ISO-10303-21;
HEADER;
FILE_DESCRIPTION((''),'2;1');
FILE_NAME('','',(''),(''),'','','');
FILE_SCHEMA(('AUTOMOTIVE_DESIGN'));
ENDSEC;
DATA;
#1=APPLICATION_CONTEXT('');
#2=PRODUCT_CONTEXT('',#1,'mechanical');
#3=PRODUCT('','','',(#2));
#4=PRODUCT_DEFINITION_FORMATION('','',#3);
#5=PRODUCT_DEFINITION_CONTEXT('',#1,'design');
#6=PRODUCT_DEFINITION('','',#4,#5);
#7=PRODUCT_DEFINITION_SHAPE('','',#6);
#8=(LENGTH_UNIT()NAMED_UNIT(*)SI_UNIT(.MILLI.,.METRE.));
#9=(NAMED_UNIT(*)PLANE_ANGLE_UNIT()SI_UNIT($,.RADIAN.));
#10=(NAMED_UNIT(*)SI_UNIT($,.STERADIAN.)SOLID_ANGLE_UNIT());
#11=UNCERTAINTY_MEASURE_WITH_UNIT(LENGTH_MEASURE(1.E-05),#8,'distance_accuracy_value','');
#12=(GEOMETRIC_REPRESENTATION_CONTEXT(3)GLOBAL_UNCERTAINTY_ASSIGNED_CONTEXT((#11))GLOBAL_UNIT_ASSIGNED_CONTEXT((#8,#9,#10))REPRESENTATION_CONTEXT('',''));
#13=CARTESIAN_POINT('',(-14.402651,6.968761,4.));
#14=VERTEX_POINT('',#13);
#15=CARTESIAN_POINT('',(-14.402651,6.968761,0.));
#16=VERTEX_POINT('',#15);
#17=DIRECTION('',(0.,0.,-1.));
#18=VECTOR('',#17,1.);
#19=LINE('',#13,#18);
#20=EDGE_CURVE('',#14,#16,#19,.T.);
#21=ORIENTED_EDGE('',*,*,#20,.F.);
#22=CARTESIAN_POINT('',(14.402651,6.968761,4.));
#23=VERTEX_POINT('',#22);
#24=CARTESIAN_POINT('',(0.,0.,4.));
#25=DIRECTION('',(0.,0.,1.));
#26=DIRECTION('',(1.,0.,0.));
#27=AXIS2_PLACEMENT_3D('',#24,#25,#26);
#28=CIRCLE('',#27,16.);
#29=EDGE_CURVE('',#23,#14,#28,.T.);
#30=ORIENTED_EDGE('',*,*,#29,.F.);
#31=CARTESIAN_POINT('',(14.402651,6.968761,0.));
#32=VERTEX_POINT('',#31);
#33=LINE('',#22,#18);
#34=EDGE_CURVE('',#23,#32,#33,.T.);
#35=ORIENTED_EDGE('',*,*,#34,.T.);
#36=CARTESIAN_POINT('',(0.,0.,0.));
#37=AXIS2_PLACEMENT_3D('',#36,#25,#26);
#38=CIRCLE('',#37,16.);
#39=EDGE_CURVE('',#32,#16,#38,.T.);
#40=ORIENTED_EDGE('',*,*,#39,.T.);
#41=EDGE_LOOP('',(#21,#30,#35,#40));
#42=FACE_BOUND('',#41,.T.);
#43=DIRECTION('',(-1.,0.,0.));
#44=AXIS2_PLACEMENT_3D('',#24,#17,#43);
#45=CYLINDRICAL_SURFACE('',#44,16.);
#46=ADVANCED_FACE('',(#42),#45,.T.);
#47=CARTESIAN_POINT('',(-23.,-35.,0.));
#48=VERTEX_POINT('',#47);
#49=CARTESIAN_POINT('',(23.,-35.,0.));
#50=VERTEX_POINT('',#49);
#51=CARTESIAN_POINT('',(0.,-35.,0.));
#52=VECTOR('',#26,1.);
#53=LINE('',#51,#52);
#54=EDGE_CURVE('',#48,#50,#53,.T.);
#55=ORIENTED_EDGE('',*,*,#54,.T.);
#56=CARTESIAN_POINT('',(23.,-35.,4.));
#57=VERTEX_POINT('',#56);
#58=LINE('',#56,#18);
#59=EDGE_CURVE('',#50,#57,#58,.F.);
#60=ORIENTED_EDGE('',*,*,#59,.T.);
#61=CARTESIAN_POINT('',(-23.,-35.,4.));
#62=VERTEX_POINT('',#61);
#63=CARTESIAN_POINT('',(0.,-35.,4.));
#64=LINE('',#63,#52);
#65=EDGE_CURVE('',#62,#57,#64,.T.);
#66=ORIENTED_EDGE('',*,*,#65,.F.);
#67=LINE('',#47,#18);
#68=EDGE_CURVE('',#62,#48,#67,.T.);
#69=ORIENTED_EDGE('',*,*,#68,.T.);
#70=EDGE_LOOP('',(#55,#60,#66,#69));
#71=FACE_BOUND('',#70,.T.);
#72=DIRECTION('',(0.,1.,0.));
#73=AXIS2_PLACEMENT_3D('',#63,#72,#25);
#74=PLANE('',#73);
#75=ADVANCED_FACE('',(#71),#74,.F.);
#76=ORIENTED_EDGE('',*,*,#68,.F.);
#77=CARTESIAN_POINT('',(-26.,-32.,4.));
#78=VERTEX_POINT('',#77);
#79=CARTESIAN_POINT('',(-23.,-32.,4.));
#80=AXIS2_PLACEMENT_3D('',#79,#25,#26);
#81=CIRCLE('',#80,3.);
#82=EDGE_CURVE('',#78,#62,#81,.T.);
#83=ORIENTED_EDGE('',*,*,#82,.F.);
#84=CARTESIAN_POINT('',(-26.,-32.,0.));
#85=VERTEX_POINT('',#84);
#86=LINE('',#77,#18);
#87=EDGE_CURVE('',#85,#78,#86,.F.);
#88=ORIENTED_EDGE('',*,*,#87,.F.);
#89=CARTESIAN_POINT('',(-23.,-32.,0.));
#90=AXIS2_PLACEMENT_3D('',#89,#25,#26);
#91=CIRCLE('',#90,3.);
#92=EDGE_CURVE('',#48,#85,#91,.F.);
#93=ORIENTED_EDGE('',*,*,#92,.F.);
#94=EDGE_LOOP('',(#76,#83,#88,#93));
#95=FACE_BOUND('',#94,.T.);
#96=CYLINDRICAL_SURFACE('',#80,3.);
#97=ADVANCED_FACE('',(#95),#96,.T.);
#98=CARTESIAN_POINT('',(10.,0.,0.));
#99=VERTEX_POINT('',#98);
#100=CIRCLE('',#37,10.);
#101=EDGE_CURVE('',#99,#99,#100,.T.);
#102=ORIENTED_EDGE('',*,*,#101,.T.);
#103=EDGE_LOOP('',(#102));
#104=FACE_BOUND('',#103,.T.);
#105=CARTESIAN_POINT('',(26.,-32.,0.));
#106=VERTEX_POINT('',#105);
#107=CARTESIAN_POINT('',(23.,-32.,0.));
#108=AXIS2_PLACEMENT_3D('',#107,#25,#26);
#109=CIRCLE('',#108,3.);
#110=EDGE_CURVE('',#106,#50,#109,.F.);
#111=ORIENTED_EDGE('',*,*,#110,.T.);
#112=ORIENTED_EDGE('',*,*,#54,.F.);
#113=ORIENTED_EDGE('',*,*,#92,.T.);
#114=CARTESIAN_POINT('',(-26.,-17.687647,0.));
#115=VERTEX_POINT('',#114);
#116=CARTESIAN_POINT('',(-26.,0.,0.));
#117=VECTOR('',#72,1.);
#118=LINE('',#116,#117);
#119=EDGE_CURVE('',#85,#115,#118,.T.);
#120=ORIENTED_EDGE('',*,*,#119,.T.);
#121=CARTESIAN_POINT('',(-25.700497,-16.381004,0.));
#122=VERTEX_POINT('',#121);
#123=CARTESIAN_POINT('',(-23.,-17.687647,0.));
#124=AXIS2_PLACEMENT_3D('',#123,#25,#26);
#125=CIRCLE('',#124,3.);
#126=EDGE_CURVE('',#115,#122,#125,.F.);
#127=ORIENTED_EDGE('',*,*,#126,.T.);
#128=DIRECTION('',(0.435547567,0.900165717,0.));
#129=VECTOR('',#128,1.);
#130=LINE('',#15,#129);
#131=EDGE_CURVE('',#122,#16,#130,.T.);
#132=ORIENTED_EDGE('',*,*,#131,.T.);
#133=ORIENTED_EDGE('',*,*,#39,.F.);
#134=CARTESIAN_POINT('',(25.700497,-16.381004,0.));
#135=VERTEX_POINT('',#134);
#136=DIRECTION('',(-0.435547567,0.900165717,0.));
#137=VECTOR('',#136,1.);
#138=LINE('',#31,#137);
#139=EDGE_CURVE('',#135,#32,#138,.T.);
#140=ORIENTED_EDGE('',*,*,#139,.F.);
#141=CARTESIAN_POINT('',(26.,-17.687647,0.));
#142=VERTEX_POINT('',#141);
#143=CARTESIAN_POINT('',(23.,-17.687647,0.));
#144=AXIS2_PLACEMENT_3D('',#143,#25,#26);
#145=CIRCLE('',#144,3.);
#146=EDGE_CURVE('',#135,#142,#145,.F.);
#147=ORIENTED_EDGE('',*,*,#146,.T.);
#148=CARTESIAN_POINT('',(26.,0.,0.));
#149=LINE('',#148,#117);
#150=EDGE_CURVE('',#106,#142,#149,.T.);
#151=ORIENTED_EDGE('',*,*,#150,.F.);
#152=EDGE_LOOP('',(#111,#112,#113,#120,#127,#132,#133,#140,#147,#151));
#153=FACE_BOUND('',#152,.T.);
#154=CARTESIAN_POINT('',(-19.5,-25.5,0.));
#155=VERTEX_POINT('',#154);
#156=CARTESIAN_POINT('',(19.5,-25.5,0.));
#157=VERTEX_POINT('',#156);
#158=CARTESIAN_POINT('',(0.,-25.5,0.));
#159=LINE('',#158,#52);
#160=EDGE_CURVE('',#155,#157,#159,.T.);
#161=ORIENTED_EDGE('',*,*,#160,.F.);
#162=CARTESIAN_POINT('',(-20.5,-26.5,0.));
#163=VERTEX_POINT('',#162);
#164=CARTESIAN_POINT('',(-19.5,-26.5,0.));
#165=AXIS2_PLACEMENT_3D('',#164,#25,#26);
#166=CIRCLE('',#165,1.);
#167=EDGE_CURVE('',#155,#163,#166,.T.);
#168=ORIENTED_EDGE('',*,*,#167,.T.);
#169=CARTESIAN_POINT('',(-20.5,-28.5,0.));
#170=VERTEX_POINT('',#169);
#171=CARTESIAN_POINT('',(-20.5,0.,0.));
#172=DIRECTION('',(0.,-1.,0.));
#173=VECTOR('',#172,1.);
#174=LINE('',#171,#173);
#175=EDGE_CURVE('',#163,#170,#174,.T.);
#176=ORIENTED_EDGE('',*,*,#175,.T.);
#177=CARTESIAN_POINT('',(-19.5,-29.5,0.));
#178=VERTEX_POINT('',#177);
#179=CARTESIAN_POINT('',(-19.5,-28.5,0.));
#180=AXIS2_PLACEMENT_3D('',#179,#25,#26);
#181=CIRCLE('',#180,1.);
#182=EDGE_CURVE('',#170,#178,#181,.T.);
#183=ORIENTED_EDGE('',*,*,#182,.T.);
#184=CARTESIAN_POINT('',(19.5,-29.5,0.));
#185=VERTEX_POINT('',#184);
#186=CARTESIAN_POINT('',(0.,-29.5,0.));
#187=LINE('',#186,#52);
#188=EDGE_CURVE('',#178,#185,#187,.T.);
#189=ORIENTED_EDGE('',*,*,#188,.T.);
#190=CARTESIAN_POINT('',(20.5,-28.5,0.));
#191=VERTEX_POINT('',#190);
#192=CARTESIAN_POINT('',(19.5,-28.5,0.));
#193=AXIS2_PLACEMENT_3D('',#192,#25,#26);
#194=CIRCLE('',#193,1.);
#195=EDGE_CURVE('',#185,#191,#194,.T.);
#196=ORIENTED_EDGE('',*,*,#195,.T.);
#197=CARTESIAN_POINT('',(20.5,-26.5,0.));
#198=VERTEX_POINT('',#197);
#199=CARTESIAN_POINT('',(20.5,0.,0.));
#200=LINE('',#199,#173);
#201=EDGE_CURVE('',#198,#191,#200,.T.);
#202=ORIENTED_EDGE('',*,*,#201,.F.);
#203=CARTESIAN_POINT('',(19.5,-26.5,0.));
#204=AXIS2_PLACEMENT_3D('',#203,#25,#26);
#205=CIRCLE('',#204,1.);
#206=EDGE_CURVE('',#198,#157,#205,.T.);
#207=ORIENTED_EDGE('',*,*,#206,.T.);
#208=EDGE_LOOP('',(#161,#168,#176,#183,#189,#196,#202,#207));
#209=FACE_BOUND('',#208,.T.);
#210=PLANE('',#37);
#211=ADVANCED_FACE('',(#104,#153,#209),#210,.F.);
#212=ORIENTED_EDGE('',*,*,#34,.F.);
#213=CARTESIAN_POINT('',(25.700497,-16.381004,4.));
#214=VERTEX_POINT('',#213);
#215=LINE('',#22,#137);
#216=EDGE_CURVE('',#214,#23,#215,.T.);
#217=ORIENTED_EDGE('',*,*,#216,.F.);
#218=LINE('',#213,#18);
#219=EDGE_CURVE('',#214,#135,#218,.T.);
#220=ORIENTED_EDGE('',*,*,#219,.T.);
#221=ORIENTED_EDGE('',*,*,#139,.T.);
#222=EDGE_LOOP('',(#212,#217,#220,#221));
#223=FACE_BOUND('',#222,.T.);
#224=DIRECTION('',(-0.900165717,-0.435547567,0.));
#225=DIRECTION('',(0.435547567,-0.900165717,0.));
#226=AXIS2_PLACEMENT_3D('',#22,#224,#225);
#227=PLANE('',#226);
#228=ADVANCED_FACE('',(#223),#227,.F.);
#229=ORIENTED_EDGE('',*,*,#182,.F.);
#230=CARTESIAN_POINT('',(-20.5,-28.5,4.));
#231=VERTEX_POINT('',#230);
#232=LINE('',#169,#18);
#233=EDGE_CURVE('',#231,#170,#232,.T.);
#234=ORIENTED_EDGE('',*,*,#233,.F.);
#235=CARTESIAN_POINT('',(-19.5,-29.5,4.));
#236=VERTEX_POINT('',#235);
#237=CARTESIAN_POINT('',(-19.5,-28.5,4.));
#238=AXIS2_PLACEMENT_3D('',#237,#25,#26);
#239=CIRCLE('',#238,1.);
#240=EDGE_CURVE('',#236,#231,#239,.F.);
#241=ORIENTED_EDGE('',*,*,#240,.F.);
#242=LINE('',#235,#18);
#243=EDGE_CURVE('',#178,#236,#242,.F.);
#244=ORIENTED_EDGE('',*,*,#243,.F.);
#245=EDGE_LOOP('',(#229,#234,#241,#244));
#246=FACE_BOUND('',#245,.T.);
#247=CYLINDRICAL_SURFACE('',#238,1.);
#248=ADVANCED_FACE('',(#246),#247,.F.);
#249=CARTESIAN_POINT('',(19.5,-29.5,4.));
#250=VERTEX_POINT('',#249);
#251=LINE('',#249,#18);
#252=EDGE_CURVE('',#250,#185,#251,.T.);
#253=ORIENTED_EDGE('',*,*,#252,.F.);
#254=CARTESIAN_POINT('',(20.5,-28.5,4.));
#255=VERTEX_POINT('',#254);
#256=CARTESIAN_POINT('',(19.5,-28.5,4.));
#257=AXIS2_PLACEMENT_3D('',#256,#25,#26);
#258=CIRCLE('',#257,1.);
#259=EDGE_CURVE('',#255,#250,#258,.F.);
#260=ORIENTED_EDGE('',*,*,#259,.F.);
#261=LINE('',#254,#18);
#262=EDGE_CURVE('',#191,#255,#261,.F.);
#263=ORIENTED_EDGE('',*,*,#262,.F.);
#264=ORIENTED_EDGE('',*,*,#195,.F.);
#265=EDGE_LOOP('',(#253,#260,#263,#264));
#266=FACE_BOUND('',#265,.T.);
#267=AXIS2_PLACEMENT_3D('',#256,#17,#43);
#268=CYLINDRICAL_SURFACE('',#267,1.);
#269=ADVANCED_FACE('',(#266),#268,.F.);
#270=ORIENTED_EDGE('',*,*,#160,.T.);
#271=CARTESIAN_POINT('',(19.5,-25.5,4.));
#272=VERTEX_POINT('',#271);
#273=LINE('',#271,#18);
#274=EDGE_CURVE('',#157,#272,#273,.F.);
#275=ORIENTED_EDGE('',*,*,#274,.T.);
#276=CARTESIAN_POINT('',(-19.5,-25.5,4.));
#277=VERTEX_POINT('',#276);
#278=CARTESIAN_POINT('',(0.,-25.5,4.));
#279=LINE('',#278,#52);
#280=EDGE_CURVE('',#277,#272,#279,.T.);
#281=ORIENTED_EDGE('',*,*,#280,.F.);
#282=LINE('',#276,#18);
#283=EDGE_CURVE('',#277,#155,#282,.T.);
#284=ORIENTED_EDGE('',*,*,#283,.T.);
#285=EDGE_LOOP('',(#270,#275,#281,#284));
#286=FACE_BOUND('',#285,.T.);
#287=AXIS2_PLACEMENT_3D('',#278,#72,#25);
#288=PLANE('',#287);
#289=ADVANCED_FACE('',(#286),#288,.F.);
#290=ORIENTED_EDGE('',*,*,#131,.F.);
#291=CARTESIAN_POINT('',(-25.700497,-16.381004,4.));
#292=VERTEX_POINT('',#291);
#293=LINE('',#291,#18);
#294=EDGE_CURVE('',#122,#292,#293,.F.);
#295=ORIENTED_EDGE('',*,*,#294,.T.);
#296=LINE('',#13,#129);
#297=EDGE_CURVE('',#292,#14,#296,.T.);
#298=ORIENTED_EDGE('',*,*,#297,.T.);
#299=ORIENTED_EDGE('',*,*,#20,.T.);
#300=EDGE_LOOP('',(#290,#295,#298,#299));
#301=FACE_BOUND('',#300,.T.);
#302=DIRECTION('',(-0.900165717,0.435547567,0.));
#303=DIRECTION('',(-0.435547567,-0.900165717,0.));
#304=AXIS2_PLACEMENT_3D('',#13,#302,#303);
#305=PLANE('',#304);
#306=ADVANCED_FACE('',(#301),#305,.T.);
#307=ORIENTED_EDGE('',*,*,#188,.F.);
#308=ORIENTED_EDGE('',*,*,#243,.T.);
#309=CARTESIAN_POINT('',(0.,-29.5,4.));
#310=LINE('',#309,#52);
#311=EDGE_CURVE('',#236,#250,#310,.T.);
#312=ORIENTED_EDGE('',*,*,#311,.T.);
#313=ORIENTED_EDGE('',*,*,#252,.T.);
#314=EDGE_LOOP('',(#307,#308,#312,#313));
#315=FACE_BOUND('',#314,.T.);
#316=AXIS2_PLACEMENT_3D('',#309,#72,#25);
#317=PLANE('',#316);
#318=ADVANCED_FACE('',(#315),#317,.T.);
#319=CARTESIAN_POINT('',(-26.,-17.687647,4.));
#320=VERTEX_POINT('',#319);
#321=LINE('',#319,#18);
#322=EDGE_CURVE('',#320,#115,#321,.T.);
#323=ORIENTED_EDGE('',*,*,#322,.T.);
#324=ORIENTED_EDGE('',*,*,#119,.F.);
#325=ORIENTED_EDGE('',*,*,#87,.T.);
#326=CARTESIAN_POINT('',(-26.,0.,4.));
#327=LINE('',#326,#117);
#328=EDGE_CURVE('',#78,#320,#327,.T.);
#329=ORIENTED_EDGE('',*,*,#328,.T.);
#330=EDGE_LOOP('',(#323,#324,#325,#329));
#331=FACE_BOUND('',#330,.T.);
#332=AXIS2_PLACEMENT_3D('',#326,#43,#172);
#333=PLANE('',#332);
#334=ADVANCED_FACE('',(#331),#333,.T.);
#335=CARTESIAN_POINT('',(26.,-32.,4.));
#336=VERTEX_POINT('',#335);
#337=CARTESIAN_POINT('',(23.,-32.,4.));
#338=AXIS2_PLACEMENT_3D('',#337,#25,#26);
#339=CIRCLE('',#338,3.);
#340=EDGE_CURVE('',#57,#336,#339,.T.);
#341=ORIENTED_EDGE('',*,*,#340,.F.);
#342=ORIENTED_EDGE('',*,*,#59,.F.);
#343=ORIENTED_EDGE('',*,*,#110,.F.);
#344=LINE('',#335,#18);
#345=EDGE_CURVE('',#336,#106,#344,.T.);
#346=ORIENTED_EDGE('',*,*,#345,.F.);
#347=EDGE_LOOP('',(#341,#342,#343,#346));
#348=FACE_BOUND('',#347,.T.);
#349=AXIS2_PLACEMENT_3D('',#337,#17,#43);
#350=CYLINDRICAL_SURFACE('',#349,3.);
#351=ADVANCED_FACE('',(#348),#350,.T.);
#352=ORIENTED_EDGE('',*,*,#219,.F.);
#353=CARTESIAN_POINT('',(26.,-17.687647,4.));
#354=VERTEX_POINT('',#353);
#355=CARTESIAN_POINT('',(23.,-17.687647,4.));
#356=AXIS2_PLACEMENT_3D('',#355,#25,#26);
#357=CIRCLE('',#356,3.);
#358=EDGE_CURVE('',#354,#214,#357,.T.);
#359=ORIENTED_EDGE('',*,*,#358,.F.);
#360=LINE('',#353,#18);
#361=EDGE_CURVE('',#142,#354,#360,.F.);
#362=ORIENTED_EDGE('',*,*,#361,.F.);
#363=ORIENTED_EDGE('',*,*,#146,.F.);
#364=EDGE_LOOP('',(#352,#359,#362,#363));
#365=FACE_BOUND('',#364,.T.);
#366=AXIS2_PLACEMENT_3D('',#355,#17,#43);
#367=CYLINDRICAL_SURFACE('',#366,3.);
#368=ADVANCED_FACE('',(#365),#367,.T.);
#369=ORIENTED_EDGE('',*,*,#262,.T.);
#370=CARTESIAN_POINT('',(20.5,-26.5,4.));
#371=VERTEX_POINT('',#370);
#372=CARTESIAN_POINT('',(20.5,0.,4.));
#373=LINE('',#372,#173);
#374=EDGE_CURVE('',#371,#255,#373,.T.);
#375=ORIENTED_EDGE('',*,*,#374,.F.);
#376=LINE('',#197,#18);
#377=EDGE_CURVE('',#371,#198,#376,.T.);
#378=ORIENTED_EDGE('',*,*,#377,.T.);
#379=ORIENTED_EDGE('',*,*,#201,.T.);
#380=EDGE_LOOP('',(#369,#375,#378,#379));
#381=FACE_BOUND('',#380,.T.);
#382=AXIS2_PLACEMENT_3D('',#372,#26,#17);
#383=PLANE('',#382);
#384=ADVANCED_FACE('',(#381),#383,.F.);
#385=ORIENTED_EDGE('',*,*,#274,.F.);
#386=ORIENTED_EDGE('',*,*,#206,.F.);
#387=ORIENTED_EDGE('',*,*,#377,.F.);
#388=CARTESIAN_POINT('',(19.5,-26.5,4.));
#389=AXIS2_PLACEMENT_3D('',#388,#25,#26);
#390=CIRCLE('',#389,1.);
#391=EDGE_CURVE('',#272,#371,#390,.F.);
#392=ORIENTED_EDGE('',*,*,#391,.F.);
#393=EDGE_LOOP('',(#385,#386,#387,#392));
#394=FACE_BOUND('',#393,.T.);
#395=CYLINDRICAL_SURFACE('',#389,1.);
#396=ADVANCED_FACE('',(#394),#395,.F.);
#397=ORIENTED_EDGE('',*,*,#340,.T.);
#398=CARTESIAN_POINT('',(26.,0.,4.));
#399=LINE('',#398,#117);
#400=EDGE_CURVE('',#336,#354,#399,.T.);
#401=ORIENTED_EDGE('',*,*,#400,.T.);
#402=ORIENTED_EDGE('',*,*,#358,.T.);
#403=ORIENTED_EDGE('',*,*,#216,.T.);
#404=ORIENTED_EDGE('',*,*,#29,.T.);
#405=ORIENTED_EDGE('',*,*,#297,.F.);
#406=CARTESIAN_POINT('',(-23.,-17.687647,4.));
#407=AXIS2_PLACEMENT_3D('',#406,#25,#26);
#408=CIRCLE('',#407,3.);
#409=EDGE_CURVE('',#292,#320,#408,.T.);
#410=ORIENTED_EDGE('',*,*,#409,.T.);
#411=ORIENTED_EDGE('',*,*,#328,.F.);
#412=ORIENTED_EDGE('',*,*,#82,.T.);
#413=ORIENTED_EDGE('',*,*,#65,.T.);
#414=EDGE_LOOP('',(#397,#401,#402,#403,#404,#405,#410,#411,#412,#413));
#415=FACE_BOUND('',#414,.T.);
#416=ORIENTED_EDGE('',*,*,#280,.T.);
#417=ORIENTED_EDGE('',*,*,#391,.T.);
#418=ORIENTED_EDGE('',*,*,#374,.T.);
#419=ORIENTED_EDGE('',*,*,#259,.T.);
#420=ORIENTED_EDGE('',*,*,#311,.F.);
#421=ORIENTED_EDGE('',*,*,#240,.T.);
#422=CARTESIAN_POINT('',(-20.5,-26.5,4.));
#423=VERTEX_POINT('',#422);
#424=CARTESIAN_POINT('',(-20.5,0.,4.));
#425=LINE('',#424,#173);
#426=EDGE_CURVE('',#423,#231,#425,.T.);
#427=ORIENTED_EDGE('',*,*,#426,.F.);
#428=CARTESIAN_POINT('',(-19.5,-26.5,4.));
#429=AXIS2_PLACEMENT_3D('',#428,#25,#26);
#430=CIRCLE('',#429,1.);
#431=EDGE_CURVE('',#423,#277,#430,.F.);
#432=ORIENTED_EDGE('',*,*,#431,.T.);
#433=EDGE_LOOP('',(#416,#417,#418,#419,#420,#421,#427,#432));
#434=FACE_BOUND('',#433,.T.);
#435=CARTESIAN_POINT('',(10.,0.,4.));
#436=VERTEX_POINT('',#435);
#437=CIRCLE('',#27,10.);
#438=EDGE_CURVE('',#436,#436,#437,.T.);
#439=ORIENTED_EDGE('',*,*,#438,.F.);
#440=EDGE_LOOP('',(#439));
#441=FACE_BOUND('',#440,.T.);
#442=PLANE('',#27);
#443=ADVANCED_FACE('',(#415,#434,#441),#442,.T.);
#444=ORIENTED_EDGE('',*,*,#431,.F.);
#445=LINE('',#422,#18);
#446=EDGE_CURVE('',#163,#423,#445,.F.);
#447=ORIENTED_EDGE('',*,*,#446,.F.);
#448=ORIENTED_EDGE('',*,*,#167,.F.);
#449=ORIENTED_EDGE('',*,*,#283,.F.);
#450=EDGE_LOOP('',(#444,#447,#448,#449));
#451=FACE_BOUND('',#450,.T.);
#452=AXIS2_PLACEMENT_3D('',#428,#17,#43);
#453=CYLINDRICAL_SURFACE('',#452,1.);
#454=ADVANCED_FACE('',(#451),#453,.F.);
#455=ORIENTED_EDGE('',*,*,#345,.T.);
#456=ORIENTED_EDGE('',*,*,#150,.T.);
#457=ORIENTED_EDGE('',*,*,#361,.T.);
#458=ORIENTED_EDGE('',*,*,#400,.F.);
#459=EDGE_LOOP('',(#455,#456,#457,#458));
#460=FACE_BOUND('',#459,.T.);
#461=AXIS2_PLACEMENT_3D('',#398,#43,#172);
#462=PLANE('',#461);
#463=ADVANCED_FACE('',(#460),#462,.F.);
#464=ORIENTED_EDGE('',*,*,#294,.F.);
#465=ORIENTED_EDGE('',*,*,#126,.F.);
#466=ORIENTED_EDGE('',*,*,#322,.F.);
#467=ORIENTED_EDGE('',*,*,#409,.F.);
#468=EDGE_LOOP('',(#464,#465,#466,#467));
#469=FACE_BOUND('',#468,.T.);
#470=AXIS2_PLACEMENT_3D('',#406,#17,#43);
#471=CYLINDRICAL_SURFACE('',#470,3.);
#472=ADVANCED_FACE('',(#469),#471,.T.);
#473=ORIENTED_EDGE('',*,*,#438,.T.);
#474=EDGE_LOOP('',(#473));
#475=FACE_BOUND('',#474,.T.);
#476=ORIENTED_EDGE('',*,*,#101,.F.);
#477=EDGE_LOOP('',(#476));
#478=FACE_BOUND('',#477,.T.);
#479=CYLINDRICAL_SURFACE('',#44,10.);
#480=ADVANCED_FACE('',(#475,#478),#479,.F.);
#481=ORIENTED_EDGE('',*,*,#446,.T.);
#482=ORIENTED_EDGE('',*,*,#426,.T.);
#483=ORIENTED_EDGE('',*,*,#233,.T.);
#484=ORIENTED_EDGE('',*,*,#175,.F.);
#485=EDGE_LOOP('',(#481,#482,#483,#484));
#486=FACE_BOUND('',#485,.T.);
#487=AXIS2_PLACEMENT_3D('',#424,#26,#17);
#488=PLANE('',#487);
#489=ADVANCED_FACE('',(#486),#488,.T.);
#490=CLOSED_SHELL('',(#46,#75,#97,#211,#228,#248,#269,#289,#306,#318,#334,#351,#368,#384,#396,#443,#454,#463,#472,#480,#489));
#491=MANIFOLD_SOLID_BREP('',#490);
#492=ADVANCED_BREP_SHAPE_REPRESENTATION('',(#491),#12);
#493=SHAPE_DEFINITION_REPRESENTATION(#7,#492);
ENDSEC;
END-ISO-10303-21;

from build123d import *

# Parameters (mm, degrees)
SKETCH_1_R      = 10
SKETCH_1_W      = 41
SKETCH_1_H      = 4
EXTRUDE_1_DEPTH = 4
FILLET_3_R      = 3
FILLET_5_R      = 1


with BuildPart() as part:
    # Эскиз1 → Бобышка-Вытянуть1 (new body)
    with BuildSketch(Plane.XY):
        with BuildLine():
            Line((-26, -35), (26, -35))
            Line((26, -35), (26, -17))
            Line((26, -17), (14.402651465, 6.968761064))
            ThreePointArc((14.402651465, 6.968761064), (0, 16), (-14.402651465, 6.968761064))
            Line((-14.402651465, 6.968761064), (-26, -17))
            Line((-26, -17), (-26, -35))
        make_face()
        Circle(SKETCH_1_R, mode=Mode.SUBTRACT)
        with Locations((0, -27.5)):
            Rectangle(SKETCH_1_W, SKETCH_1_H, mode=Mode.SUBTRACT)
    extrude(amount=EXTRUDE_1_DEPTH)

    # Скругление3
    fillet_3_edges = [part.edges().sort_by_distance(p)[0] for p in [
        (-26, -35, 2),
        (-26, -17, 2),
        (26, -17, 2),
        (26, -35, 2),
    ]]
    fillet(fillet_3_edges, radius=FILLET_3_R)

    # Скругление5
    fillet_5_edges = [part.edges().sort_by_distance(p)[0] for p in [
        (-20.5, -25.5, 2),
        (-20.5, -29.5, 2),
        (20.5, -29.5, 2),
        (20.5, -25.5, 2),
    ]]
    fillet(fillet_5_edges, radius=FILLET_5_R)


solid = part.part
